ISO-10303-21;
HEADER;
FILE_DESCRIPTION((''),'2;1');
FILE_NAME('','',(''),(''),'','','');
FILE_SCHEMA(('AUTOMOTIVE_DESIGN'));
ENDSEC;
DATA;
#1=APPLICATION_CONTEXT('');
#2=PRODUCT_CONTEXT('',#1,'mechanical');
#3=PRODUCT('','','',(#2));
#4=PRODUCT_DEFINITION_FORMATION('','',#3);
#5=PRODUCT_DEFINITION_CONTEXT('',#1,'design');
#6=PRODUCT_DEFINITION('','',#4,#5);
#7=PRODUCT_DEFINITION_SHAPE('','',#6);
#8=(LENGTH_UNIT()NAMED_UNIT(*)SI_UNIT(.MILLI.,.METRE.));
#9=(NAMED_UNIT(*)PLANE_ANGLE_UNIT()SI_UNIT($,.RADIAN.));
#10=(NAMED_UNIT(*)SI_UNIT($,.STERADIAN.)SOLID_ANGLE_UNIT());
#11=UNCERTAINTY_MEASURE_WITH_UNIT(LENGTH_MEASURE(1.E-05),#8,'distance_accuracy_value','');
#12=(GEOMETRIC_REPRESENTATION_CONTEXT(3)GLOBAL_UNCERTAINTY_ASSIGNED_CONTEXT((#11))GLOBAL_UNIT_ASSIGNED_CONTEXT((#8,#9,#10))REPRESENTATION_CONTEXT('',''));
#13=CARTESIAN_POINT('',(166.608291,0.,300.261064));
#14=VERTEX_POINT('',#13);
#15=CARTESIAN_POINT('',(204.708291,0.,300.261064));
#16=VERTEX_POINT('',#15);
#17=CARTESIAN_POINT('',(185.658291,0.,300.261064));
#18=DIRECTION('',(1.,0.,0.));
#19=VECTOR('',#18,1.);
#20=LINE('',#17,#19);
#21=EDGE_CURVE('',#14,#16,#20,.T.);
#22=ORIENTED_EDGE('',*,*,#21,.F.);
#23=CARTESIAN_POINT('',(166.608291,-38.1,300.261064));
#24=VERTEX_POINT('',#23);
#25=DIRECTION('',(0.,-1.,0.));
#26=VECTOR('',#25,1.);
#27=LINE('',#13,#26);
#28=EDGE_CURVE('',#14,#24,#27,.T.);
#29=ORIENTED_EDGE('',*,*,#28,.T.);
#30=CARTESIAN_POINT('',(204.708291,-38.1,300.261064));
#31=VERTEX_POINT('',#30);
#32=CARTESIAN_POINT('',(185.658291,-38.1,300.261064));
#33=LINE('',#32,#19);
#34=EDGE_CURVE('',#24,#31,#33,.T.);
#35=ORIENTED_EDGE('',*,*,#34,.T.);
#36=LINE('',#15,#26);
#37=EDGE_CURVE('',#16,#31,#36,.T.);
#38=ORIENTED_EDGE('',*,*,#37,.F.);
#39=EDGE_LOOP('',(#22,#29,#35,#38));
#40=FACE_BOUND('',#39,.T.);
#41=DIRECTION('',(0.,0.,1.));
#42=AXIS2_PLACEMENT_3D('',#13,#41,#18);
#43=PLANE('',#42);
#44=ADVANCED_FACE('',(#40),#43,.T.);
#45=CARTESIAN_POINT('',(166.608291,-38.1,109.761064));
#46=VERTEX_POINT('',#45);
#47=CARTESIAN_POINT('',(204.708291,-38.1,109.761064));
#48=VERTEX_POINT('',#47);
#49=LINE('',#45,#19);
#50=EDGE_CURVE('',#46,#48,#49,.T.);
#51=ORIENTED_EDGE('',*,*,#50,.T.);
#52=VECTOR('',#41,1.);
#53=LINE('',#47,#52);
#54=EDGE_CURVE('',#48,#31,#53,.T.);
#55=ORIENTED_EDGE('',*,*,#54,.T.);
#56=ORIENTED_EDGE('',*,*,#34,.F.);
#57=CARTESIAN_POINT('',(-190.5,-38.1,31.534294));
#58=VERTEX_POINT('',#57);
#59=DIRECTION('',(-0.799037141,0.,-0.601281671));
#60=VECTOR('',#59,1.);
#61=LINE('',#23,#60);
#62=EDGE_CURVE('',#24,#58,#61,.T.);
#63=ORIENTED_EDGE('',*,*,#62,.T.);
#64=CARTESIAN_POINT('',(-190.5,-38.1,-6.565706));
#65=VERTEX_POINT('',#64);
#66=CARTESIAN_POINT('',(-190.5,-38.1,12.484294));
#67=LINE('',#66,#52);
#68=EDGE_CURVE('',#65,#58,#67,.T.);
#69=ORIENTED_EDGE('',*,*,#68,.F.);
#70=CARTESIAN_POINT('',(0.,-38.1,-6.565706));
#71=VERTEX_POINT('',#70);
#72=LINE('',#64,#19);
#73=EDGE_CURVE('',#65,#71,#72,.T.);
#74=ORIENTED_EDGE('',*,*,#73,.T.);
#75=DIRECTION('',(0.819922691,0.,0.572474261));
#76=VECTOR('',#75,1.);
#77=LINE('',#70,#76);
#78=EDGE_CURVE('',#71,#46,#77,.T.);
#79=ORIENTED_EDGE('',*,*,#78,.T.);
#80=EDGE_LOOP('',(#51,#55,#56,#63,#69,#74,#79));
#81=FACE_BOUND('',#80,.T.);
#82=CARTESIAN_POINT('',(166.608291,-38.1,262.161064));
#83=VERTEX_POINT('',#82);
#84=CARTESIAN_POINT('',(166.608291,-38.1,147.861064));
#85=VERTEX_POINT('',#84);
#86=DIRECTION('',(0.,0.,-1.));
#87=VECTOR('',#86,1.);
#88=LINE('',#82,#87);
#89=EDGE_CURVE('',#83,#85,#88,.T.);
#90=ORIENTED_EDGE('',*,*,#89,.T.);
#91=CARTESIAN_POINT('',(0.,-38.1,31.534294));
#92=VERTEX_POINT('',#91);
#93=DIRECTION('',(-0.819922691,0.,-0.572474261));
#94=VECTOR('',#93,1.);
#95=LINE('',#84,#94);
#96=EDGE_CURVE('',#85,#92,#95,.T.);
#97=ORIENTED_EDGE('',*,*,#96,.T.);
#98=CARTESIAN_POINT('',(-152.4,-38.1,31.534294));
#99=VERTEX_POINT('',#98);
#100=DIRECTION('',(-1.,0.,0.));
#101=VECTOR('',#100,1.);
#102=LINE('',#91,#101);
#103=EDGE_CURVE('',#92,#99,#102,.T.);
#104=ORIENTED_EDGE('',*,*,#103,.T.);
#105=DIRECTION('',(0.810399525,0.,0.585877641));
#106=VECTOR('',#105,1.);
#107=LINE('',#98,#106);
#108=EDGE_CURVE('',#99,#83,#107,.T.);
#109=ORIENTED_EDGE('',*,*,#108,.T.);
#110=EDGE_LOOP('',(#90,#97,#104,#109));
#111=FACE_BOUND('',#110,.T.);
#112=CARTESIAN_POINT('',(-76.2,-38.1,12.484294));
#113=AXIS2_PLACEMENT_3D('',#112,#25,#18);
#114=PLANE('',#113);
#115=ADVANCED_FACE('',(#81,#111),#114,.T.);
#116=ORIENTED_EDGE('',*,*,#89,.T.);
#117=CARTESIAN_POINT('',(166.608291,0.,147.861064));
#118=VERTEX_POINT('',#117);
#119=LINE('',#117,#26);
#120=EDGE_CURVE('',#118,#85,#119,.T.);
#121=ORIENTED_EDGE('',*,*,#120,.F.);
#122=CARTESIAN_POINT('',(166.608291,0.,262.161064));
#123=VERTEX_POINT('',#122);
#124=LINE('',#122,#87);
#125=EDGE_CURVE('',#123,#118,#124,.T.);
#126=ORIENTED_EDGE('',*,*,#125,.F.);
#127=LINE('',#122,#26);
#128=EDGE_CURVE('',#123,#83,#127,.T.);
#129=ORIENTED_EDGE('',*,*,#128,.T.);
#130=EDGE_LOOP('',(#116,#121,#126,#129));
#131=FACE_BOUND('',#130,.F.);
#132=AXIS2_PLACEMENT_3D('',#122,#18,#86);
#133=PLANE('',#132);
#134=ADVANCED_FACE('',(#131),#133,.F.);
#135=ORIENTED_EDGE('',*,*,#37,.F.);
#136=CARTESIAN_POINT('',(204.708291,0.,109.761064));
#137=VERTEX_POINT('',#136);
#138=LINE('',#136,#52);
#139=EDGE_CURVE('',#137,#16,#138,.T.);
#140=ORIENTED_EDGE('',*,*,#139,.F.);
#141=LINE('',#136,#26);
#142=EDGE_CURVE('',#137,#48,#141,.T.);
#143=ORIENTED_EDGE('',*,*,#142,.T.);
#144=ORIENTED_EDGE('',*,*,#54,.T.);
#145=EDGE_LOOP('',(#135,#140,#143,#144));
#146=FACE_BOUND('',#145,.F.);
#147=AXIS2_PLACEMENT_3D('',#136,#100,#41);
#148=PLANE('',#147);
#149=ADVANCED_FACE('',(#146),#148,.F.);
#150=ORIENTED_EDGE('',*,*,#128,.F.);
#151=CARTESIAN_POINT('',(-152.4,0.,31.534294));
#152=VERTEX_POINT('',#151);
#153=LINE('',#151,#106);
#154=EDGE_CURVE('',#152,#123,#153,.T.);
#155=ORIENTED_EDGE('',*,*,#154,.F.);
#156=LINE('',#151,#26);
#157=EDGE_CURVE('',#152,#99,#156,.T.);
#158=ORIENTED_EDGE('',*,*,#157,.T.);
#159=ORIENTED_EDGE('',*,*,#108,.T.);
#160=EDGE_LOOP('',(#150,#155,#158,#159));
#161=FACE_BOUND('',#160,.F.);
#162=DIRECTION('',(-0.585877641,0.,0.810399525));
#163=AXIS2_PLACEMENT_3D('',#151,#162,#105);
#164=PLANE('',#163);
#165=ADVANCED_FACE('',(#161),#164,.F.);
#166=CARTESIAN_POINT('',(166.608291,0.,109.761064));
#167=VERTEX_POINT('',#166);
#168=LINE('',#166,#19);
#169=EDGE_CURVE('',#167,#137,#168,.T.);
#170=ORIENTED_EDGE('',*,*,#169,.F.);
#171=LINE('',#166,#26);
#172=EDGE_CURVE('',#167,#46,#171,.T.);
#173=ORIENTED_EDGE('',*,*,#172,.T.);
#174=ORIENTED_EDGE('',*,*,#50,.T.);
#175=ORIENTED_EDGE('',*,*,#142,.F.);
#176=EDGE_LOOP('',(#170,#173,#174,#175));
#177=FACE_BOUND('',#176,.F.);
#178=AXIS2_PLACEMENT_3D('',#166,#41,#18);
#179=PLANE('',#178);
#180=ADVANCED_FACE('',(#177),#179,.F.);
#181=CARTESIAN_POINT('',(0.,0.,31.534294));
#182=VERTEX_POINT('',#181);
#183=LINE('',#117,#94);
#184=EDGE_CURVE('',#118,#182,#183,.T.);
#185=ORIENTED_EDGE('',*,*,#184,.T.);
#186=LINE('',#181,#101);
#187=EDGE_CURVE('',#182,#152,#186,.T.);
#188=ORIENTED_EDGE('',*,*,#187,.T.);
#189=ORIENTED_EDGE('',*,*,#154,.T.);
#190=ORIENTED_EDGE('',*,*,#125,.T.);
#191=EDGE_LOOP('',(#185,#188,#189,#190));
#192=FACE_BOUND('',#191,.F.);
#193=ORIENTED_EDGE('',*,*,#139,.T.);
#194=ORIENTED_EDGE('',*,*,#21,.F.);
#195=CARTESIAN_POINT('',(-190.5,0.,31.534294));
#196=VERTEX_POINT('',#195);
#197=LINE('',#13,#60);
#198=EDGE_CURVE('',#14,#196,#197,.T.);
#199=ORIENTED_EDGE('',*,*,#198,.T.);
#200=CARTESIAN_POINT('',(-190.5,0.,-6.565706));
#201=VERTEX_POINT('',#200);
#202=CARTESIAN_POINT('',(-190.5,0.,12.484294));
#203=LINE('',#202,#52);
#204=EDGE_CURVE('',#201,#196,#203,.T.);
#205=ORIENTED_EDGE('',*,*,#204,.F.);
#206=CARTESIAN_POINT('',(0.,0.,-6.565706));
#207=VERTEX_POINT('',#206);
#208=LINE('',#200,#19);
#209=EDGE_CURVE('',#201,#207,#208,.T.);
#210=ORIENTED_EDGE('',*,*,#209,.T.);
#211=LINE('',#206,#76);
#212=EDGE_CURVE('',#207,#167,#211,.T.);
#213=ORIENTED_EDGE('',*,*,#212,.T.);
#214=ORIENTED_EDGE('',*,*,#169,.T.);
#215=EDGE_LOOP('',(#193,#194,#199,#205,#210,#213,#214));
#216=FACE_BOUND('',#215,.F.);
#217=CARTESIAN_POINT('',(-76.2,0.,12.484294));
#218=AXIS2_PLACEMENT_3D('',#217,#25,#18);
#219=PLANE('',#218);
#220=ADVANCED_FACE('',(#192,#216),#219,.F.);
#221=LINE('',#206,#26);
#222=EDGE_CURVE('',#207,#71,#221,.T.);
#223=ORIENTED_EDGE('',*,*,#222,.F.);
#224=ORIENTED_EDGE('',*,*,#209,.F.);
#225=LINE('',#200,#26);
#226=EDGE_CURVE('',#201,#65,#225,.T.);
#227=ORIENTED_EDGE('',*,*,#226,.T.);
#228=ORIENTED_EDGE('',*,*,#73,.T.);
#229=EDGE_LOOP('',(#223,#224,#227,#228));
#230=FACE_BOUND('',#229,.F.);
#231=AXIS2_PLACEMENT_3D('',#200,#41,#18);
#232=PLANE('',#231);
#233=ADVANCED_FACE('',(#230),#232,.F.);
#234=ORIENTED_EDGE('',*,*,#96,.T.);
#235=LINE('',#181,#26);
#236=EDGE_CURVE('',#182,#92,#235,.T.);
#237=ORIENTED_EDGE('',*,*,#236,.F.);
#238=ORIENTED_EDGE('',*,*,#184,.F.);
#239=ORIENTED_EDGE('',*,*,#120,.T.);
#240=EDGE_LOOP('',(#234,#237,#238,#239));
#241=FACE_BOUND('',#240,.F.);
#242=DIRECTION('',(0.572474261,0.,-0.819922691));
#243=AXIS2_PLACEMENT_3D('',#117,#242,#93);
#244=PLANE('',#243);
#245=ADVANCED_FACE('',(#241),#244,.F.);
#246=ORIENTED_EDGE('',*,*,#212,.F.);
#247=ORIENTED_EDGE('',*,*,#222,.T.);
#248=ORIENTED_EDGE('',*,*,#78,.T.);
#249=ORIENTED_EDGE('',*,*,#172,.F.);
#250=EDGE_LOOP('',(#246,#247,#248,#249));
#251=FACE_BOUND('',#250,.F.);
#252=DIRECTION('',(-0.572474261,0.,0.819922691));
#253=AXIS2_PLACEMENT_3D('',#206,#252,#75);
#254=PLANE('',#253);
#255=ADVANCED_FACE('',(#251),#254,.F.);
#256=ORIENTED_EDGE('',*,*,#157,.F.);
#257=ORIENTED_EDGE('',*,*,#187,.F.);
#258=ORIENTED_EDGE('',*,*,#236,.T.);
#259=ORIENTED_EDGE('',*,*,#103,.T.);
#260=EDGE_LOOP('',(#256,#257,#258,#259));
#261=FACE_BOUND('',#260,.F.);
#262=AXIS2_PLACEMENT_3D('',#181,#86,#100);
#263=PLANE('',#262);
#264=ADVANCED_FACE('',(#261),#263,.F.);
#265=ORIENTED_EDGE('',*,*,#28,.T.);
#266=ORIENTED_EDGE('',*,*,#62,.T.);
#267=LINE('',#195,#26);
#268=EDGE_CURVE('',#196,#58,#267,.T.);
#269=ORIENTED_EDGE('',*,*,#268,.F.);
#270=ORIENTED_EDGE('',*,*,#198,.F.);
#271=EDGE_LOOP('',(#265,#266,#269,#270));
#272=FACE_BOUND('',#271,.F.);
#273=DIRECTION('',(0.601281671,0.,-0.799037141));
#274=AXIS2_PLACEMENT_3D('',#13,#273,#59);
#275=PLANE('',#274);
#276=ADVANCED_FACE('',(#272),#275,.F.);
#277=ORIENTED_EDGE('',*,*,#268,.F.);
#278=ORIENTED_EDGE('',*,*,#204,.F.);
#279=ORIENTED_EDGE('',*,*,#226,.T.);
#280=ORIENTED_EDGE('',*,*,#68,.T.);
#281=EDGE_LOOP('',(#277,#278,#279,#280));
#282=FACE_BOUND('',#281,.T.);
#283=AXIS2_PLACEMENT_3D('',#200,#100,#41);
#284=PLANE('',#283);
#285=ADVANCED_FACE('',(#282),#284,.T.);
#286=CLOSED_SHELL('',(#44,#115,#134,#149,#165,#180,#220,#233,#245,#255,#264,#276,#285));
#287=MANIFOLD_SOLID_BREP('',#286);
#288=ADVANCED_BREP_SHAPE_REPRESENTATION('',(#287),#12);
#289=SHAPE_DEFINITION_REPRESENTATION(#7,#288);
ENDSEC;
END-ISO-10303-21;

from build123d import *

# Parameters (mm, degrees)
F1_DEPTH = 38.1
F0_W     = 152.4
F0_H     = 38.1
F0_W_2   = 38.1
F2_DEPTH = 38.1


with BuildPart() as f1:
    # F0 (on Front) → F1 (new body)
    with BuildSketch(Plane.XZ):
        Polygon((-190.5, 31.534294), (-152.4, 31.534294), (166.608291, 262.161064), (166.608291, 300.261064), align=None)
    extrude(amount=F1_DEPTH)

    # F0 (on Front) → F2 (join)
    with BuildSketch(Plane.XZ):
        with Locations((-76.2, 12.484294)):
            Rectangle(F0_W, F0_H)
        with Locations((-171.45, 12.484294)):
            Rectangle(F0_W_2, F0_H)
        Polygon((0, 31.534294), (0, -6.565706), (166.608291, 109.761064), (166.608291, 147.861064), align=None)
        Polygon((-190.5, 31.534294), (-152.4, 31.534294), (166.608291, 262.161064), (166.608291, 300.261064), align=None)
        Polygon((166.608291, 147.861064), (166.608291, 109.761064), (204.708291, 109.761064), (204.708291, 262.161064), (166.608291, 262.161064), align=None)
        with Locations((185.658291, 281.211064)):
            Rectangle(F0_W_2, F0_H)
    extrude(amount=F2_DEPTH)


solid = f1.part
